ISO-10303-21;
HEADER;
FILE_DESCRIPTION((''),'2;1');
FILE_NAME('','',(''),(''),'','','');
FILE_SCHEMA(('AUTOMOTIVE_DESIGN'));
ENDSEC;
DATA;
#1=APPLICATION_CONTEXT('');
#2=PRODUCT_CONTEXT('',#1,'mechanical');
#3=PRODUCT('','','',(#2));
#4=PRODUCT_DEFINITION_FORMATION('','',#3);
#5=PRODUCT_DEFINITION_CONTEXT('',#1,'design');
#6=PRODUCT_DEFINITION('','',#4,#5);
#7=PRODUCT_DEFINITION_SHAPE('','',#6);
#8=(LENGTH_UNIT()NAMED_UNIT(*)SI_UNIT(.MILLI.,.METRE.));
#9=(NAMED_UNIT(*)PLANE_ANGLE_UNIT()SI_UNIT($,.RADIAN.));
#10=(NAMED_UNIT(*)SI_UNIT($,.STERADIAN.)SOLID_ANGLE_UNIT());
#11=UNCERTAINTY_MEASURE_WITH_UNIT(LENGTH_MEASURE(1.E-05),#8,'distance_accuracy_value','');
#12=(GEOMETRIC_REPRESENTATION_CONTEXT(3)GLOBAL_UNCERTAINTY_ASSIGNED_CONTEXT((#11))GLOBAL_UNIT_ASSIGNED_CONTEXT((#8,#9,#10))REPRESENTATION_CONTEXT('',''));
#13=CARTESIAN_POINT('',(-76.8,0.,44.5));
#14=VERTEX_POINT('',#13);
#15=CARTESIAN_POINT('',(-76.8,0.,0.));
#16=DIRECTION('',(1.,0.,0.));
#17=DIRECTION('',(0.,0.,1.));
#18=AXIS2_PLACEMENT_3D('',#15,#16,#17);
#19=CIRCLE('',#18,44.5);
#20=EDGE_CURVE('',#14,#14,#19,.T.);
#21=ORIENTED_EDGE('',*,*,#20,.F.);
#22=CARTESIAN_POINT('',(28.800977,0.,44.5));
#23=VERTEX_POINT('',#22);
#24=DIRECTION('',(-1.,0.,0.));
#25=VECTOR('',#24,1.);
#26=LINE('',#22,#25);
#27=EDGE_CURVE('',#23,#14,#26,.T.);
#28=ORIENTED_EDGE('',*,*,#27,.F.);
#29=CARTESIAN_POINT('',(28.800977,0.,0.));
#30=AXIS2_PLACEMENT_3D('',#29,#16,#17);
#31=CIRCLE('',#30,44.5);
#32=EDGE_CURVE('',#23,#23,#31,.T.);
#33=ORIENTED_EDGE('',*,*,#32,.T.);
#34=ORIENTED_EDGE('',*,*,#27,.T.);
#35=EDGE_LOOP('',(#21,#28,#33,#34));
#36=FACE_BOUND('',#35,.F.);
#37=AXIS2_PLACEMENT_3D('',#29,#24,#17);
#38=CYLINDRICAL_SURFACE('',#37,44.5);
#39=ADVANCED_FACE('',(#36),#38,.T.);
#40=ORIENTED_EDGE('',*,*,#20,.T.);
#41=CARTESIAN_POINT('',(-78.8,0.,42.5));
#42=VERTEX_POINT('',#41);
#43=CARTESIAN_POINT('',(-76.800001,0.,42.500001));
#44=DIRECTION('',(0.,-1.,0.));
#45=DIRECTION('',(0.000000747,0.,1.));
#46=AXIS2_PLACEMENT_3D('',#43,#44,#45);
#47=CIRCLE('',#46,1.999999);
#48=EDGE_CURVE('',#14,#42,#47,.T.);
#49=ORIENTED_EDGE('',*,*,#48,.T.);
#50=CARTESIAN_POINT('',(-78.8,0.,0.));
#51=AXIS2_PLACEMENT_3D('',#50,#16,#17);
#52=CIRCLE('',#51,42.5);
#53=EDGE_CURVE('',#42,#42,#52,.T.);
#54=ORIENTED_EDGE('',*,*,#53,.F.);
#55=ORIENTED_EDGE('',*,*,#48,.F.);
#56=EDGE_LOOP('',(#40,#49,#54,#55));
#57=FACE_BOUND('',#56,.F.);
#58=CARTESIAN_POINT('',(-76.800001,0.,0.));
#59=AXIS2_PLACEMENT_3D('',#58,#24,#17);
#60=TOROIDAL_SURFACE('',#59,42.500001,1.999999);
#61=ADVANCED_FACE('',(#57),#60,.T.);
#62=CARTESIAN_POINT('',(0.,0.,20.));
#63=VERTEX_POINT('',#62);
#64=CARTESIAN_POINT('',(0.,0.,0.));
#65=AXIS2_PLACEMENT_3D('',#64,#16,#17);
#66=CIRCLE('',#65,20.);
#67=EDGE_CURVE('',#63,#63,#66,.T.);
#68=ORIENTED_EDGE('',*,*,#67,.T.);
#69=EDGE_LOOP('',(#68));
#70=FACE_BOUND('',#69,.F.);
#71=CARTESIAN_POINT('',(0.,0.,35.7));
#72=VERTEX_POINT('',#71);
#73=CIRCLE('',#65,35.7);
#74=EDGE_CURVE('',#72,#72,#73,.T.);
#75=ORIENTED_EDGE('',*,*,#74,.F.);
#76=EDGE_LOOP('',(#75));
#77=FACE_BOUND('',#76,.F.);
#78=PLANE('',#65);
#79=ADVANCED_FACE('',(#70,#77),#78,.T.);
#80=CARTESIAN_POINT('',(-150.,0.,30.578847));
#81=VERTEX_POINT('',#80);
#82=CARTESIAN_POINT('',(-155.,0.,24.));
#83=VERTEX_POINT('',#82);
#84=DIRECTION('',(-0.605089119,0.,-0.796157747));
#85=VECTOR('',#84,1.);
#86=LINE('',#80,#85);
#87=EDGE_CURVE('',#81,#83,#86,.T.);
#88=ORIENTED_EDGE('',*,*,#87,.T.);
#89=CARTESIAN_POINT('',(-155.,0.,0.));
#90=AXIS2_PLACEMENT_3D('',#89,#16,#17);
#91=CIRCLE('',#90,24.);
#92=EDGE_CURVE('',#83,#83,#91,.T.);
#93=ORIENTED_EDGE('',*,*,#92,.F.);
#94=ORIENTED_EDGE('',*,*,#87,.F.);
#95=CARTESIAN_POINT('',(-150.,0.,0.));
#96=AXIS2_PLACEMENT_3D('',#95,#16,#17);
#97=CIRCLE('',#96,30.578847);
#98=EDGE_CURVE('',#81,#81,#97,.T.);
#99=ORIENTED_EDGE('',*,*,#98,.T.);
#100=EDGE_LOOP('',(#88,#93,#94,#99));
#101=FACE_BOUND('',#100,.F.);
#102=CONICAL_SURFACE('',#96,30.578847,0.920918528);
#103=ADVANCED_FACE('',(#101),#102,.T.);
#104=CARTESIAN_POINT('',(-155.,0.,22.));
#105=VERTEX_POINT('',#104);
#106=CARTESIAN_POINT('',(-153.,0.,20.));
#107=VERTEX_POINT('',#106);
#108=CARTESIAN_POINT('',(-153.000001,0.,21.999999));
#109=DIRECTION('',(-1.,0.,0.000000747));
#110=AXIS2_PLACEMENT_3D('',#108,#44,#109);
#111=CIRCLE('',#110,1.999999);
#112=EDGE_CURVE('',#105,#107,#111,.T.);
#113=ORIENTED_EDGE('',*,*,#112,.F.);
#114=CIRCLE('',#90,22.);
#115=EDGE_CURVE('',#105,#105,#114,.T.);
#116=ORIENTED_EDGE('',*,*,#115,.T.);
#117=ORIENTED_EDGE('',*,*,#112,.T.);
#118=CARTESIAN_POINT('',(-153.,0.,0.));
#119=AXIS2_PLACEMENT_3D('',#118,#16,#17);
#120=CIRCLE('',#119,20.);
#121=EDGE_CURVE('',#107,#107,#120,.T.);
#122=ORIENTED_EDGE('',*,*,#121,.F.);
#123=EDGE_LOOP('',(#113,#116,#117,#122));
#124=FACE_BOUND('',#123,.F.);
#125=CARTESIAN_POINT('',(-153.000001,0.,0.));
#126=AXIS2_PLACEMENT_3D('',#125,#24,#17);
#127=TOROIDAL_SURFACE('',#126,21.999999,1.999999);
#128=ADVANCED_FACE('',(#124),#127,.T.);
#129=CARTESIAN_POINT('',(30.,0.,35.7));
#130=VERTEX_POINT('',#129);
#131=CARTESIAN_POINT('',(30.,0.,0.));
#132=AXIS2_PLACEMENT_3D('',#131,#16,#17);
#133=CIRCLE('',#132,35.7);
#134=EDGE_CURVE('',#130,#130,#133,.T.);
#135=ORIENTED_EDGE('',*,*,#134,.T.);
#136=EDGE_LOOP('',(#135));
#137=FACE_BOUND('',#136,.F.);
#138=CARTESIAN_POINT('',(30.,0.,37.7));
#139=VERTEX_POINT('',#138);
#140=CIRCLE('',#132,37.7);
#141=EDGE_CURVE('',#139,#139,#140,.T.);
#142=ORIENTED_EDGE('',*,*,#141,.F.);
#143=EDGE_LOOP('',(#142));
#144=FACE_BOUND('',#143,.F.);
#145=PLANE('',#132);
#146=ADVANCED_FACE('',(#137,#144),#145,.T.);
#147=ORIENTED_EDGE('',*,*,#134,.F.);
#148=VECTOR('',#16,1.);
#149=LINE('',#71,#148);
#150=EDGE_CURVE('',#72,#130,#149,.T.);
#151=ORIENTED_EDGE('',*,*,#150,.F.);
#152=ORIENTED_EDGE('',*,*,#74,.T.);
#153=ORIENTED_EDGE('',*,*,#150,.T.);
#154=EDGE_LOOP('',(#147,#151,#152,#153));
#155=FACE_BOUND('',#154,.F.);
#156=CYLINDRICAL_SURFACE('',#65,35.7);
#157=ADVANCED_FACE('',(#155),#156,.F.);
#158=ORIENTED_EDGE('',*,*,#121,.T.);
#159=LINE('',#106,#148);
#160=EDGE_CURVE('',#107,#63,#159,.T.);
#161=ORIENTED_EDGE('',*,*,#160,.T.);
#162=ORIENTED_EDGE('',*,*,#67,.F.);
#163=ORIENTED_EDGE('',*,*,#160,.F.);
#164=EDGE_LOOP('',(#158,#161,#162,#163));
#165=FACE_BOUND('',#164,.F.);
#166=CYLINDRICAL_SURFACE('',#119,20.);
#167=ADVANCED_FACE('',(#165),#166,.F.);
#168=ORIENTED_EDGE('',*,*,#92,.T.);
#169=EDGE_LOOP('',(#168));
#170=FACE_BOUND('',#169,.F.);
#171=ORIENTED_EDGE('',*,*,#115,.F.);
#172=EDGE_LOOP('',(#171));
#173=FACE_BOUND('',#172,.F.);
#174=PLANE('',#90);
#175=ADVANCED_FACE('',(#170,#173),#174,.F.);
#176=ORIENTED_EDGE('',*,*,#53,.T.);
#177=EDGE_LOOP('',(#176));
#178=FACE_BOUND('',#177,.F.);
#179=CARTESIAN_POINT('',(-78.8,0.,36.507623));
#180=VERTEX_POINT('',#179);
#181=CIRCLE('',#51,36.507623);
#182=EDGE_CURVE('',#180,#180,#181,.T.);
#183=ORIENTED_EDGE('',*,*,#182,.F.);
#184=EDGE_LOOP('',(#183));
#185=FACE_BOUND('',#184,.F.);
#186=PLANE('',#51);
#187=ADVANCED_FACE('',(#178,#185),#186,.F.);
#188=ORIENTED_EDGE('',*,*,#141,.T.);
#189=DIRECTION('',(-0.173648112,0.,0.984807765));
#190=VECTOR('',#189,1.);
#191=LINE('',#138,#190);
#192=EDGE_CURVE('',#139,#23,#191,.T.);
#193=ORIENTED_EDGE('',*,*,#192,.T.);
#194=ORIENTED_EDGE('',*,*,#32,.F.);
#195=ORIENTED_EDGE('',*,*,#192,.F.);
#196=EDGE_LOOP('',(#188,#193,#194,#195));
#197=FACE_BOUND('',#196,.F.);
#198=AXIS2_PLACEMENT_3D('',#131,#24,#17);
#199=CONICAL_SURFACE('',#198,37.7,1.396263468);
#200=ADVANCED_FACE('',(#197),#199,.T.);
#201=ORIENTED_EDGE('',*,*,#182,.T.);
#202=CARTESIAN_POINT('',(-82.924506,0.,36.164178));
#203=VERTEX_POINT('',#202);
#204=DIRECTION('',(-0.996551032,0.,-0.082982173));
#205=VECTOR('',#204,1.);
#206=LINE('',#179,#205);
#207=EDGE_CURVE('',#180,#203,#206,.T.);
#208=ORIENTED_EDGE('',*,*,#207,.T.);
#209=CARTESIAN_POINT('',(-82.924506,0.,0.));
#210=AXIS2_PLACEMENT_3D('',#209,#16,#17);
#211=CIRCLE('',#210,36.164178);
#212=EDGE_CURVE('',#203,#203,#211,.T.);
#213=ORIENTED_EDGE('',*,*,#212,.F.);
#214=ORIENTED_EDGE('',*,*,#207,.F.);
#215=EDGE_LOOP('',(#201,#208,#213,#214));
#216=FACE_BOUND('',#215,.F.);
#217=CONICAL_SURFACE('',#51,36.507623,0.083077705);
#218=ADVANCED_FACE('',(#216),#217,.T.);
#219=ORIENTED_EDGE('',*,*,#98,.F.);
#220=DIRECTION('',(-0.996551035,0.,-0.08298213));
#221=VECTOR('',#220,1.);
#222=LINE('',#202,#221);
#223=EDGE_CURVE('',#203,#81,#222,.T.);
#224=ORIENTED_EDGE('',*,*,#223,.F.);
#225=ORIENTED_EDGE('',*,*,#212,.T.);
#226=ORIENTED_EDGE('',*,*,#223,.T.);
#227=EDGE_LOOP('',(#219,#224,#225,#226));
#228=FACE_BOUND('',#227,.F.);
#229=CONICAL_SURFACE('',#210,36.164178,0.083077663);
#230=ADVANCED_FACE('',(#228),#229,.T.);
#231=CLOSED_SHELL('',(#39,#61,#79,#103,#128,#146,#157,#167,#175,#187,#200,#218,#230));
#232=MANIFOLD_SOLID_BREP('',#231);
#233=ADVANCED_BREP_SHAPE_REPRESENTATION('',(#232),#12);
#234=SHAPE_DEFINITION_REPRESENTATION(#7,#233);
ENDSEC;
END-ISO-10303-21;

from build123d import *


with BuildPart() as f1:
    # F0 (on Front) → F1 (revolve)
    with BuildSketch(Plane.XZ):
        with BuildLine():
            Line((-153, 20), (0, 20))
            Line((0, 20), (0, 35.7))
            Line((0, 35.7), (30, 35.7))
            Line((30, 35.7), (30, 37.7))
            Line((30, 37.7), (28.800977, 44.5))
            Line((28.800977, 44.5), (-76.8, 44.5))
            ThreePointArc((-76.8, 44.5), (-78.214214, 43.914214), (-78.8, 42.5))
            Line((-78.8, 42.5), (-78.8, 36.507623))
            Line((-78.8, 36.507623), (-82.924506, 36.164178))
            Line((-82.924506, 36.164178), (-150, 30.578847))
            Line((-150, 30.578847), (-155, 24))
            Line((-155, 24), (-155, 22))
            ThreePointArc((-155, 22), (-154.414214, 20.585786), (-153, 20))
        make_face()
    revolve(axis=Axis((-73.417992, 0, 0), (1, 0, 0)))


solid = f1.part
